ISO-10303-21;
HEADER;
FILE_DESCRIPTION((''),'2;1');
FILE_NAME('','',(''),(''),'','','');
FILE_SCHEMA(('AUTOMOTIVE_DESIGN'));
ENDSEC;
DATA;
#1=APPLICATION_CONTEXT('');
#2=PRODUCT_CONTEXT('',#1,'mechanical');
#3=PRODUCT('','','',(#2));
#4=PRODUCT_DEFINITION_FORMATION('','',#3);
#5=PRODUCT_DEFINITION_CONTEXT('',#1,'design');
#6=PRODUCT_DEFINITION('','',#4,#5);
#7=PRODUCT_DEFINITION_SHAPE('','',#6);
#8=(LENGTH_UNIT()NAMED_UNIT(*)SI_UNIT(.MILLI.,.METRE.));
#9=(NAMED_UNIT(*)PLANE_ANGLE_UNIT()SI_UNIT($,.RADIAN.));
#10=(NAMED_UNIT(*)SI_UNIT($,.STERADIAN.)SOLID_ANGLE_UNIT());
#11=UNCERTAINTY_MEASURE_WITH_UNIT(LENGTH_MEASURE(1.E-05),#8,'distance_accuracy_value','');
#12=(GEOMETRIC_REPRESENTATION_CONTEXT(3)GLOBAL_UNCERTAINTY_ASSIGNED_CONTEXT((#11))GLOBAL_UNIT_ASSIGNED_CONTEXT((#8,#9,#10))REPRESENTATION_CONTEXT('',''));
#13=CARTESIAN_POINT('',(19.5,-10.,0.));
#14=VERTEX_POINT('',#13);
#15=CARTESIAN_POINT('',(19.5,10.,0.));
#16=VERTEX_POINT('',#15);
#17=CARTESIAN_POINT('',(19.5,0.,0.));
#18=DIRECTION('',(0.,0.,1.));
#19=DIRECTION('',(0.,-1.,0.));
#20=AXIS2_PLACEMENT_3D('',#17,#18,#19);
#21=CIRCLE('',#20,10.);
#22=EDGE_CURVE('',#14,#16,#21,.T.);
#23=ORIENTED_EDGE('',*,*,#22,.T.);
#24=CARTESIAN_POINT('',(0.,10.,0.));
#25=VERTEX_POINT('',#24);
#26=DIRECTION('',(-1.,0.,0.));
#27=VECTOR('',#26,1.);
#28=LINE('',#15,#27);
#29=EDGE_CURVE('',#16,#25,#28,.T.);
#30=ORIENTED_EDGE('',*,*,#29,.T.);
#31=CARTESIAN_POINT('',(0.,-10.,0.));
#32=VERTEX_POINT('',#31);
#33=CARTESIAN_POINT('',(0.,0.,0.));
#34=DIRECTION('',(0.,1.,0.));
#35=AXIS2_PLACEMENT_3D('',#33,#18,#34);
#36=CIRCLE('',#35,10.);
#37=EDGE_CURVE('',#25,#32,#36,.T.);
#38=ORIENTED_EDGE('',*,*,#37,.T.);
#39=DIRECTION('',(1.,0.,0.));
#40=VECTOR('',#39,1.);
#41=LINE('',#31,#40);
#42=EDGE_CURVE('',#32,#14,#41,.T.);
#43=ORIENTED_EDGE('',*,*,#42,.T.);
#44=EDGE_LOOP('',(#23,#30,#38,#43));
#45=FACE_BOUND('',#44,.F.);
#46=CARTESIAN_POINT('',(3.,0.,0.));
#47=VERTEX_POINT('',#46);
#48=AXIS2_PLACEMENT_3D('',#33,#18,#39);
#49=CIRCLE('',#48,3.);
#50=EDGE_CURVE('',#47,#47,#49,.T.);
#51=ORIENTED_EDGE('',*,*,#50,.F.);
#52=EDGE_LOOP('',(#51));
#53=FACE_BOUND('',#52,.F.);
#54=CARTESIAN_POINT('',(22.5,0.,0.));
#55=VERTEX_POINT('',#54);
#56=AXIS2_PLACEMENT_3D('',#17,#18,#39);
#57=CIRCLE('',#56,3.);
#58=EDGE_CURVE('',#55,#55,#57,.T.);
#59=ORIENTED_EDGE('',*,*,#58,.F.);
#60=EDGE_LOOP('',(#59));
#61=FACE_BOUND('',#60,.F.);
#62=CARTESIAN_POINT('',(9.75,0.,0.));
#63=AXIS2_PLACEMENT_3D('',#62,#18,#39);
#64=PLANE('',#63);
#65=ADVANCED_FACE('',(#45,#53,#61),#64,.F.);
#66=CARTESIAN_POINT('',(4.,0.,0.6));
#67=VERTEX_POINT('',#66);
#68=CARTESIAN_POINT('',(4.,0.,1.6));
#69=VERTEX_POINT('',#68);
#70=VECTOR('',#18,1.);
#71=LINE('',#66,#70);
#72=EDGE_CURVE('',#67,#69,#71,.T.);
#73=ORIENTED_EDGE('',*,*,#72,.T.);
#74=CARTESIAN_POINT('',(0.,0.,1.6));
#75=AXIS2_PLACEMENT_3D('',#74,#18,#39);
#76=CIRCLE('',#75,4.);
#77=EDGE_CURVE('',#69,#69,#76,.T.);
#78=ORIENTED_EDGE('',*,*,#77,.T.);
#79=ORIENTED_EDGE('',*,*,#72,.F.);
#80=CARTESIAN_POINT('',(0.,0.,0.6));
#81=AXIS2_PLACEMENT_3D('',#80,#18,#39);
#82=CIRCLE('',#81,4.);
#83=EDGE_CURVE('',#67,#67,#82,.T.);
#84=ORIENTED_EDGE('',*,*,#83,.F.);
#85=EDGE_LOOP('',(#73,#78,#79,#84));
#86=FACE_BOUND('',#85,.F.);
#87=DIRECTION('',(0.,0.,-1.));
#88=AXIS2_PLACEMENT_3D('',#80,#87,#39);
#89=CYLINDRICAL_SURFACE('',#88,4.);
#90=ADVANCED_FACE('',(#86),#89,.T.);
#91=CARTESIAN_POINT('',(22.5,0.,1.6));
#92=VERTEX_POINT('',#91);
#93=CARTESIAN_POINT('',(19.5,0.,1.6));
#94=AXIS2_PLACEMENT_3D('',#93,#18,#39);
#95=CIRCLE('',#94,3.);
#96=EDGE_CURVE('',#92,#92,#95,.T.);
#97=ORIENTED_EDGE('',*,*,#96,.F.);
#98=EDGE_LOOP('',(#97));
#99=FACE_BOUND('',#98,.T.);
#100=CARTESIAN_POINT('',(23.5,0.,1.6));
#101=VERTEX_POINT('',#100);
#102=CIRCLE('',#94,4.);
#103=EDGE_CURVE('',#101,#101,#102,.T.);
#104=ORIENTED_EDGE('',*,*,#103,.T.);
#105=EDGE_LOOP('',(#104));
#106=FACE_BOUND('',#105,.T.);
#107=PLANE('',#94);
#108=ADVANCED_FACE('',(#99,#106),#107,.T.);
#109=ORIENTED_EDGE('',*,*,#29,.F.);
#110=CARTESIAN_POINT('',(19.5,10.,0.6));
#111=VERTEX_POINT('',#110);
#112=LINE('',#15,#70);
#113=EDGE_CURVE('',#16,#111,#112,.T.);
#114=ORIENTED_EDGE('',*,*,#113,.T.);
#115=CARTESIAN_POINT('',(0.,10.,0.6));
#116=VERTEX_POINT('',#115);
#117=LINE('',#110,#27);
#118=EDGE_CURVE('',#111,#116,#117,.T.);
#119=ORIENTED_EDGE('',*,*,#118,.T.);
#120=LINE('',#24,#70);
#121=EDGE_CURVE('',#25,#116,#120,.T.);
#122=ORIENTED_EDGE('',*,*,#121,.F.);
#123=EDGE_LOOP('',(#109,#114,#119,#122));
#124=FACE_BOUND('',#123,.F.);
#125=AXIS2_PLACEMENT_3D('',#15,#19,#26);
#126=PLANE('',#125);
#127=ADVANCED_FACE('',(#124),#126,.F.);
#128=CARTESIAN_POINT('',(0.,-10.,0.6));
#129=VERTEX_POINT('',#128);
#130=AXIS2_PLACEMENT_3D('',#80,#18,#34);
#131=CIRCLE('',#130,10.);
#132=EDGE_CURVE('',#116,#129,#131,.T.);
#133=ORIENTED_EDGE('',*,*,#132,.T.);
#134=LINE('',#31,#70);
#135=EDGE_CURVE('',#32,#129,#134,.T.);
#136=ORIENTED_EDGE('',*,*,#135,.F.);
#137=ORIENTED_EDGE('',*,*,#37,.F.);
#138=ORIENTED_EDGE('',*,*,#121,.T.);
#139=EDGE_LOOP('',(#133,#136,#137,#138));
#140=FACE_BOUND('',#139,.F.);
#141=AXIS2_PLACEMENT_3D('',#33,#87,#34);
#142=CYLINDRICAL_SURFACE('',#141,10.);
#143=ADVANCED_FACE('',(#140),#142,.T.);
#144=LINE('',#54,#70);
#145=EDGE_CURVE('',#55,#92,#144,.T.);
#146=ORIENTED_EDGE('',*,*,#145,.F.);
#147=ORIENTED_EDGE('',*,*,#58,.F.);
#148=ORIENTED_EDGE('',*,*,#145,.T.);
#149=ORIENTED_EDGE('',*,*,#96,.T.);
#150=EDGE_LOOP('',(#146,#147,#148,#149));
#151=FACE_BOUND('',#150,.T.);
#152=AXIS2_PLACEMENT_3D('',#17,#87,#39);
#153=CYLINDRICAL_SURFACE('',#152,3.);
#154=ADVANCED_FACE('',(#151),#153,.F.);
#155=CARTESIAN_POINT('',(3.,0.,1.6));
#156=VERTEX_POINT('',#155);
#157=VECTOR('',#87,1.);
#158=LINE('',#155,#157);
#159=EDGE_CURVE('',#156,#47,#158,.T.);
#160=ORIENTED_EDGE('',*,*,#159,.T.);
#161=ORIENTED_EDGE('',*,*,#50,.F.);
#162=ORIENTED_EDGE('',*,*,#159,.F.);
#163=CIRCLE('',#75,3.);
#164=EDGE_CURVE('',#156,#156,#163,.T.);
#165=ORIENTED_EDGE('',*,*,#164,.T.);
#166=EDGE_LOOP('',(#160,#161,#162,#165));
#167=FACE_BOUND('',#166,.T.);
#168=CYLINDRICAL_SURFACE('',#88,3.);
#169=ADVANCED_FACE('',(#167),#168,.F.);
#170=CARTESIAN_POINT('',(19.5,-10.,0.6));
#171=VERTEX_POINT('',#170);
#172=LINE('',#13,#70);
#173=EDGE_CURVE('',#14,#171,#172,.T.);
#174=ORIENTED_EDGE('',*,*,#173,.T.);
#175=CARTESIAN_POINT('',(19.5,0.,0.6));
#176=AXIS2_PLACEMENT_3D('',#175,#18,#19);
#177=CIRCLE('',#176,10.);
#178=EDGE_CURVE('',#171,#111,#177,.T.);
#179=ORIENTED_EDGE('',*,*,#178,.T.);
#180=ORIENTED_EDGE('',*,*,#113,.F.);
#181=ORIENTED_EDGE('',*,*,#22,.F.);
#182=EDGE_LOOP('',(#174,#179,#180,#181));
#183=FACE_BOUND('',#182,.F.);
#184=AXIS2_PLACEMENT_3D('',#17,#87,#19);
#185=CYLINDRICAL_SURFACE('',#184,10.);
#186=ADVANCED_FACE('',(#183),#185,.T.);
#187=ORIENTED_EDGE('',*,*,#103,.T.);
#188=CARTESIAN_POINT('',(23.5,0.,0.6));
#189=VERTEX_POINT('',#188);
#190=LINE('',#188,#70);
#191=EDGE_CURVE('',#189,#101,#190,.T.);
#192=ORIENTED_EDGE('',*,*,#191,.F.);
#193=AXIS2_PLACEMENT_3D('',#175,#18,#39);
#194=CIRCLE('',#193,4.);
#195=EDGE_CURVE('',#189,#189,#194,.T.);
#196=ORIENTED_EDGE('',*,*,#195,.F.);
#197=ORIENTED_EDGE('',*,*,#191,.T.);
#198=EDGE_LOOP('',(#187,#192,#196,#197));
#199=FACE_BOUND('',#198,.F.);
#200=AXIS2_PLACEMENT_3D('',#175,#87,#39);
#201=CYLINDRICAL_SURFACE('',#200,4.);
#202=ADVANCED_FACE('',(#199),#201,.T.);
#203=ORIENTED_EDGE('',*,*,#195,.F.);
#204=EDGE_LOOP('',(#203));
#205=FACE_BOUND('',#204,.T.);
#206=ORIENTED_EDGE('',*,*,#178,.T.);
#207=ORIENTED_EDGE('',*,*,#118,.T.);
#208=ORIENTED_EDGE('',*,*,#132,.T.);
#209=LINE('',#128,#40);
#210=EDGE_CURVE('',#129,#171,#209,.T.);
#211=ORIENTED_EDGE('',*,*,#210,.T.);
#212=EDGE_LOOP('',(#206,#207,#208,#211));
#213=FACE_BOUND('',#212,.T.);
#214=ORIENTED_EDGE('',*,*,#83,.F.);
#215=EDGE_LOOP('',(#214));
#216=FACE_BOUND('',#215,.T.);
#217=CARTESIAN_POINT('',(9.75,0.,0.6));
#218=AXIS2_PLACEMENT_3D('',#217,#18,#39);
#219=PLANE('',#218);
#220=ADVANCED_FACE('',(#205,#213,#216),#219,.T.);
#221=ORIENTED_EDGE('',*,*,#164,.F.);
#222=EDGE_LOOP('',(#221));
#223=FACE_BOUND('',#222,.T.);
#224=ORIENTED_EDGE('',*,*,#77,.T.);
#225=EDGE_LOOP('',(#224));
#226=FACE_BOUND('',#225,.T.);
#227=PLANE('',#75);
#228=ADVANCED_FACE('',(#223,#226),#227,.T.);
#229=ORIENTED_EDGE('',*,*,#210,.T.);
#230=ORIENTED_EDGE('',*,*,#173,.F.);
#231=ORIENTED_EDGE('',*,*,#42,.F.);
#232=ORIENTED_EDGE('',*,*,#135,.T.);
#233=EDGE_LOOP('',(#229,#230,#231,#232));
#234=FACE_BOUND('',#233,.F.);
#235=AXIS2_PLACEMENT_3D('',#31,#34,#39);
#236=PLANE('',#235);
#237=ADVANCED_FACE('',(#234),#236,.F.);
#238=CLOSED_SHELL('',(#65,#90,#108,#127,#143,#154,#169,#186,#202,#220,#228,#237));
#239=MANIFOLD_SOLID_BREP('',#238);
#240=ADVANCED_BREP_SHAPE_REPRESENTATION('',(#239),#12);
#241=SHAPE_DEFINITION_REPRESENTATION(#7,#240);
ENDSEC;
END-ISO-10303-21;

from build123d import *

# Parameters (mm, degrees)
F1_R     = 3
F2_DEPTH = 0.6
F3_R     = 4
F3_R_2   = 3
F4_DEPTH = 1


with BuildPart() as f2:
    # F1 (on Top) → F2 (new body)
    with BuildSketch(Plane.XY):
        with BuildLine():
            Line((19.5, 10), (0, 10))
            ThreePointArc((0, 10), (-10, 0), (0, -10))
            Line((0, -10), (19.5, -10))
            ThreePointArc((19.5, -10), (29.5, 0), (19.5, 10))
        make_face()
        Circle(F1_R, mode=Mode.SUBTRACT)
        with Locations((19.5, 0)):
            Circle(F1_R, mode=Mode.SUBTRACT)
    extrude(amount=F2_DEPTH)

    # F3 (on face) → F4 (join)
    with BuildSketch(Plane.XY.offset(0.6)):
        Circle(F3_R)
        Circle(F3_R_2, mode=Mode.SUBTRACT)
        with Locations((19.5, 0)):
            Circle(F3_R)
        with Locations((19.5, 0)):
            Circle(F3_R_2, mode=Mode.SUBTRACT)
    extrude(amount=F4_DEPTH)


solid = f2.part
